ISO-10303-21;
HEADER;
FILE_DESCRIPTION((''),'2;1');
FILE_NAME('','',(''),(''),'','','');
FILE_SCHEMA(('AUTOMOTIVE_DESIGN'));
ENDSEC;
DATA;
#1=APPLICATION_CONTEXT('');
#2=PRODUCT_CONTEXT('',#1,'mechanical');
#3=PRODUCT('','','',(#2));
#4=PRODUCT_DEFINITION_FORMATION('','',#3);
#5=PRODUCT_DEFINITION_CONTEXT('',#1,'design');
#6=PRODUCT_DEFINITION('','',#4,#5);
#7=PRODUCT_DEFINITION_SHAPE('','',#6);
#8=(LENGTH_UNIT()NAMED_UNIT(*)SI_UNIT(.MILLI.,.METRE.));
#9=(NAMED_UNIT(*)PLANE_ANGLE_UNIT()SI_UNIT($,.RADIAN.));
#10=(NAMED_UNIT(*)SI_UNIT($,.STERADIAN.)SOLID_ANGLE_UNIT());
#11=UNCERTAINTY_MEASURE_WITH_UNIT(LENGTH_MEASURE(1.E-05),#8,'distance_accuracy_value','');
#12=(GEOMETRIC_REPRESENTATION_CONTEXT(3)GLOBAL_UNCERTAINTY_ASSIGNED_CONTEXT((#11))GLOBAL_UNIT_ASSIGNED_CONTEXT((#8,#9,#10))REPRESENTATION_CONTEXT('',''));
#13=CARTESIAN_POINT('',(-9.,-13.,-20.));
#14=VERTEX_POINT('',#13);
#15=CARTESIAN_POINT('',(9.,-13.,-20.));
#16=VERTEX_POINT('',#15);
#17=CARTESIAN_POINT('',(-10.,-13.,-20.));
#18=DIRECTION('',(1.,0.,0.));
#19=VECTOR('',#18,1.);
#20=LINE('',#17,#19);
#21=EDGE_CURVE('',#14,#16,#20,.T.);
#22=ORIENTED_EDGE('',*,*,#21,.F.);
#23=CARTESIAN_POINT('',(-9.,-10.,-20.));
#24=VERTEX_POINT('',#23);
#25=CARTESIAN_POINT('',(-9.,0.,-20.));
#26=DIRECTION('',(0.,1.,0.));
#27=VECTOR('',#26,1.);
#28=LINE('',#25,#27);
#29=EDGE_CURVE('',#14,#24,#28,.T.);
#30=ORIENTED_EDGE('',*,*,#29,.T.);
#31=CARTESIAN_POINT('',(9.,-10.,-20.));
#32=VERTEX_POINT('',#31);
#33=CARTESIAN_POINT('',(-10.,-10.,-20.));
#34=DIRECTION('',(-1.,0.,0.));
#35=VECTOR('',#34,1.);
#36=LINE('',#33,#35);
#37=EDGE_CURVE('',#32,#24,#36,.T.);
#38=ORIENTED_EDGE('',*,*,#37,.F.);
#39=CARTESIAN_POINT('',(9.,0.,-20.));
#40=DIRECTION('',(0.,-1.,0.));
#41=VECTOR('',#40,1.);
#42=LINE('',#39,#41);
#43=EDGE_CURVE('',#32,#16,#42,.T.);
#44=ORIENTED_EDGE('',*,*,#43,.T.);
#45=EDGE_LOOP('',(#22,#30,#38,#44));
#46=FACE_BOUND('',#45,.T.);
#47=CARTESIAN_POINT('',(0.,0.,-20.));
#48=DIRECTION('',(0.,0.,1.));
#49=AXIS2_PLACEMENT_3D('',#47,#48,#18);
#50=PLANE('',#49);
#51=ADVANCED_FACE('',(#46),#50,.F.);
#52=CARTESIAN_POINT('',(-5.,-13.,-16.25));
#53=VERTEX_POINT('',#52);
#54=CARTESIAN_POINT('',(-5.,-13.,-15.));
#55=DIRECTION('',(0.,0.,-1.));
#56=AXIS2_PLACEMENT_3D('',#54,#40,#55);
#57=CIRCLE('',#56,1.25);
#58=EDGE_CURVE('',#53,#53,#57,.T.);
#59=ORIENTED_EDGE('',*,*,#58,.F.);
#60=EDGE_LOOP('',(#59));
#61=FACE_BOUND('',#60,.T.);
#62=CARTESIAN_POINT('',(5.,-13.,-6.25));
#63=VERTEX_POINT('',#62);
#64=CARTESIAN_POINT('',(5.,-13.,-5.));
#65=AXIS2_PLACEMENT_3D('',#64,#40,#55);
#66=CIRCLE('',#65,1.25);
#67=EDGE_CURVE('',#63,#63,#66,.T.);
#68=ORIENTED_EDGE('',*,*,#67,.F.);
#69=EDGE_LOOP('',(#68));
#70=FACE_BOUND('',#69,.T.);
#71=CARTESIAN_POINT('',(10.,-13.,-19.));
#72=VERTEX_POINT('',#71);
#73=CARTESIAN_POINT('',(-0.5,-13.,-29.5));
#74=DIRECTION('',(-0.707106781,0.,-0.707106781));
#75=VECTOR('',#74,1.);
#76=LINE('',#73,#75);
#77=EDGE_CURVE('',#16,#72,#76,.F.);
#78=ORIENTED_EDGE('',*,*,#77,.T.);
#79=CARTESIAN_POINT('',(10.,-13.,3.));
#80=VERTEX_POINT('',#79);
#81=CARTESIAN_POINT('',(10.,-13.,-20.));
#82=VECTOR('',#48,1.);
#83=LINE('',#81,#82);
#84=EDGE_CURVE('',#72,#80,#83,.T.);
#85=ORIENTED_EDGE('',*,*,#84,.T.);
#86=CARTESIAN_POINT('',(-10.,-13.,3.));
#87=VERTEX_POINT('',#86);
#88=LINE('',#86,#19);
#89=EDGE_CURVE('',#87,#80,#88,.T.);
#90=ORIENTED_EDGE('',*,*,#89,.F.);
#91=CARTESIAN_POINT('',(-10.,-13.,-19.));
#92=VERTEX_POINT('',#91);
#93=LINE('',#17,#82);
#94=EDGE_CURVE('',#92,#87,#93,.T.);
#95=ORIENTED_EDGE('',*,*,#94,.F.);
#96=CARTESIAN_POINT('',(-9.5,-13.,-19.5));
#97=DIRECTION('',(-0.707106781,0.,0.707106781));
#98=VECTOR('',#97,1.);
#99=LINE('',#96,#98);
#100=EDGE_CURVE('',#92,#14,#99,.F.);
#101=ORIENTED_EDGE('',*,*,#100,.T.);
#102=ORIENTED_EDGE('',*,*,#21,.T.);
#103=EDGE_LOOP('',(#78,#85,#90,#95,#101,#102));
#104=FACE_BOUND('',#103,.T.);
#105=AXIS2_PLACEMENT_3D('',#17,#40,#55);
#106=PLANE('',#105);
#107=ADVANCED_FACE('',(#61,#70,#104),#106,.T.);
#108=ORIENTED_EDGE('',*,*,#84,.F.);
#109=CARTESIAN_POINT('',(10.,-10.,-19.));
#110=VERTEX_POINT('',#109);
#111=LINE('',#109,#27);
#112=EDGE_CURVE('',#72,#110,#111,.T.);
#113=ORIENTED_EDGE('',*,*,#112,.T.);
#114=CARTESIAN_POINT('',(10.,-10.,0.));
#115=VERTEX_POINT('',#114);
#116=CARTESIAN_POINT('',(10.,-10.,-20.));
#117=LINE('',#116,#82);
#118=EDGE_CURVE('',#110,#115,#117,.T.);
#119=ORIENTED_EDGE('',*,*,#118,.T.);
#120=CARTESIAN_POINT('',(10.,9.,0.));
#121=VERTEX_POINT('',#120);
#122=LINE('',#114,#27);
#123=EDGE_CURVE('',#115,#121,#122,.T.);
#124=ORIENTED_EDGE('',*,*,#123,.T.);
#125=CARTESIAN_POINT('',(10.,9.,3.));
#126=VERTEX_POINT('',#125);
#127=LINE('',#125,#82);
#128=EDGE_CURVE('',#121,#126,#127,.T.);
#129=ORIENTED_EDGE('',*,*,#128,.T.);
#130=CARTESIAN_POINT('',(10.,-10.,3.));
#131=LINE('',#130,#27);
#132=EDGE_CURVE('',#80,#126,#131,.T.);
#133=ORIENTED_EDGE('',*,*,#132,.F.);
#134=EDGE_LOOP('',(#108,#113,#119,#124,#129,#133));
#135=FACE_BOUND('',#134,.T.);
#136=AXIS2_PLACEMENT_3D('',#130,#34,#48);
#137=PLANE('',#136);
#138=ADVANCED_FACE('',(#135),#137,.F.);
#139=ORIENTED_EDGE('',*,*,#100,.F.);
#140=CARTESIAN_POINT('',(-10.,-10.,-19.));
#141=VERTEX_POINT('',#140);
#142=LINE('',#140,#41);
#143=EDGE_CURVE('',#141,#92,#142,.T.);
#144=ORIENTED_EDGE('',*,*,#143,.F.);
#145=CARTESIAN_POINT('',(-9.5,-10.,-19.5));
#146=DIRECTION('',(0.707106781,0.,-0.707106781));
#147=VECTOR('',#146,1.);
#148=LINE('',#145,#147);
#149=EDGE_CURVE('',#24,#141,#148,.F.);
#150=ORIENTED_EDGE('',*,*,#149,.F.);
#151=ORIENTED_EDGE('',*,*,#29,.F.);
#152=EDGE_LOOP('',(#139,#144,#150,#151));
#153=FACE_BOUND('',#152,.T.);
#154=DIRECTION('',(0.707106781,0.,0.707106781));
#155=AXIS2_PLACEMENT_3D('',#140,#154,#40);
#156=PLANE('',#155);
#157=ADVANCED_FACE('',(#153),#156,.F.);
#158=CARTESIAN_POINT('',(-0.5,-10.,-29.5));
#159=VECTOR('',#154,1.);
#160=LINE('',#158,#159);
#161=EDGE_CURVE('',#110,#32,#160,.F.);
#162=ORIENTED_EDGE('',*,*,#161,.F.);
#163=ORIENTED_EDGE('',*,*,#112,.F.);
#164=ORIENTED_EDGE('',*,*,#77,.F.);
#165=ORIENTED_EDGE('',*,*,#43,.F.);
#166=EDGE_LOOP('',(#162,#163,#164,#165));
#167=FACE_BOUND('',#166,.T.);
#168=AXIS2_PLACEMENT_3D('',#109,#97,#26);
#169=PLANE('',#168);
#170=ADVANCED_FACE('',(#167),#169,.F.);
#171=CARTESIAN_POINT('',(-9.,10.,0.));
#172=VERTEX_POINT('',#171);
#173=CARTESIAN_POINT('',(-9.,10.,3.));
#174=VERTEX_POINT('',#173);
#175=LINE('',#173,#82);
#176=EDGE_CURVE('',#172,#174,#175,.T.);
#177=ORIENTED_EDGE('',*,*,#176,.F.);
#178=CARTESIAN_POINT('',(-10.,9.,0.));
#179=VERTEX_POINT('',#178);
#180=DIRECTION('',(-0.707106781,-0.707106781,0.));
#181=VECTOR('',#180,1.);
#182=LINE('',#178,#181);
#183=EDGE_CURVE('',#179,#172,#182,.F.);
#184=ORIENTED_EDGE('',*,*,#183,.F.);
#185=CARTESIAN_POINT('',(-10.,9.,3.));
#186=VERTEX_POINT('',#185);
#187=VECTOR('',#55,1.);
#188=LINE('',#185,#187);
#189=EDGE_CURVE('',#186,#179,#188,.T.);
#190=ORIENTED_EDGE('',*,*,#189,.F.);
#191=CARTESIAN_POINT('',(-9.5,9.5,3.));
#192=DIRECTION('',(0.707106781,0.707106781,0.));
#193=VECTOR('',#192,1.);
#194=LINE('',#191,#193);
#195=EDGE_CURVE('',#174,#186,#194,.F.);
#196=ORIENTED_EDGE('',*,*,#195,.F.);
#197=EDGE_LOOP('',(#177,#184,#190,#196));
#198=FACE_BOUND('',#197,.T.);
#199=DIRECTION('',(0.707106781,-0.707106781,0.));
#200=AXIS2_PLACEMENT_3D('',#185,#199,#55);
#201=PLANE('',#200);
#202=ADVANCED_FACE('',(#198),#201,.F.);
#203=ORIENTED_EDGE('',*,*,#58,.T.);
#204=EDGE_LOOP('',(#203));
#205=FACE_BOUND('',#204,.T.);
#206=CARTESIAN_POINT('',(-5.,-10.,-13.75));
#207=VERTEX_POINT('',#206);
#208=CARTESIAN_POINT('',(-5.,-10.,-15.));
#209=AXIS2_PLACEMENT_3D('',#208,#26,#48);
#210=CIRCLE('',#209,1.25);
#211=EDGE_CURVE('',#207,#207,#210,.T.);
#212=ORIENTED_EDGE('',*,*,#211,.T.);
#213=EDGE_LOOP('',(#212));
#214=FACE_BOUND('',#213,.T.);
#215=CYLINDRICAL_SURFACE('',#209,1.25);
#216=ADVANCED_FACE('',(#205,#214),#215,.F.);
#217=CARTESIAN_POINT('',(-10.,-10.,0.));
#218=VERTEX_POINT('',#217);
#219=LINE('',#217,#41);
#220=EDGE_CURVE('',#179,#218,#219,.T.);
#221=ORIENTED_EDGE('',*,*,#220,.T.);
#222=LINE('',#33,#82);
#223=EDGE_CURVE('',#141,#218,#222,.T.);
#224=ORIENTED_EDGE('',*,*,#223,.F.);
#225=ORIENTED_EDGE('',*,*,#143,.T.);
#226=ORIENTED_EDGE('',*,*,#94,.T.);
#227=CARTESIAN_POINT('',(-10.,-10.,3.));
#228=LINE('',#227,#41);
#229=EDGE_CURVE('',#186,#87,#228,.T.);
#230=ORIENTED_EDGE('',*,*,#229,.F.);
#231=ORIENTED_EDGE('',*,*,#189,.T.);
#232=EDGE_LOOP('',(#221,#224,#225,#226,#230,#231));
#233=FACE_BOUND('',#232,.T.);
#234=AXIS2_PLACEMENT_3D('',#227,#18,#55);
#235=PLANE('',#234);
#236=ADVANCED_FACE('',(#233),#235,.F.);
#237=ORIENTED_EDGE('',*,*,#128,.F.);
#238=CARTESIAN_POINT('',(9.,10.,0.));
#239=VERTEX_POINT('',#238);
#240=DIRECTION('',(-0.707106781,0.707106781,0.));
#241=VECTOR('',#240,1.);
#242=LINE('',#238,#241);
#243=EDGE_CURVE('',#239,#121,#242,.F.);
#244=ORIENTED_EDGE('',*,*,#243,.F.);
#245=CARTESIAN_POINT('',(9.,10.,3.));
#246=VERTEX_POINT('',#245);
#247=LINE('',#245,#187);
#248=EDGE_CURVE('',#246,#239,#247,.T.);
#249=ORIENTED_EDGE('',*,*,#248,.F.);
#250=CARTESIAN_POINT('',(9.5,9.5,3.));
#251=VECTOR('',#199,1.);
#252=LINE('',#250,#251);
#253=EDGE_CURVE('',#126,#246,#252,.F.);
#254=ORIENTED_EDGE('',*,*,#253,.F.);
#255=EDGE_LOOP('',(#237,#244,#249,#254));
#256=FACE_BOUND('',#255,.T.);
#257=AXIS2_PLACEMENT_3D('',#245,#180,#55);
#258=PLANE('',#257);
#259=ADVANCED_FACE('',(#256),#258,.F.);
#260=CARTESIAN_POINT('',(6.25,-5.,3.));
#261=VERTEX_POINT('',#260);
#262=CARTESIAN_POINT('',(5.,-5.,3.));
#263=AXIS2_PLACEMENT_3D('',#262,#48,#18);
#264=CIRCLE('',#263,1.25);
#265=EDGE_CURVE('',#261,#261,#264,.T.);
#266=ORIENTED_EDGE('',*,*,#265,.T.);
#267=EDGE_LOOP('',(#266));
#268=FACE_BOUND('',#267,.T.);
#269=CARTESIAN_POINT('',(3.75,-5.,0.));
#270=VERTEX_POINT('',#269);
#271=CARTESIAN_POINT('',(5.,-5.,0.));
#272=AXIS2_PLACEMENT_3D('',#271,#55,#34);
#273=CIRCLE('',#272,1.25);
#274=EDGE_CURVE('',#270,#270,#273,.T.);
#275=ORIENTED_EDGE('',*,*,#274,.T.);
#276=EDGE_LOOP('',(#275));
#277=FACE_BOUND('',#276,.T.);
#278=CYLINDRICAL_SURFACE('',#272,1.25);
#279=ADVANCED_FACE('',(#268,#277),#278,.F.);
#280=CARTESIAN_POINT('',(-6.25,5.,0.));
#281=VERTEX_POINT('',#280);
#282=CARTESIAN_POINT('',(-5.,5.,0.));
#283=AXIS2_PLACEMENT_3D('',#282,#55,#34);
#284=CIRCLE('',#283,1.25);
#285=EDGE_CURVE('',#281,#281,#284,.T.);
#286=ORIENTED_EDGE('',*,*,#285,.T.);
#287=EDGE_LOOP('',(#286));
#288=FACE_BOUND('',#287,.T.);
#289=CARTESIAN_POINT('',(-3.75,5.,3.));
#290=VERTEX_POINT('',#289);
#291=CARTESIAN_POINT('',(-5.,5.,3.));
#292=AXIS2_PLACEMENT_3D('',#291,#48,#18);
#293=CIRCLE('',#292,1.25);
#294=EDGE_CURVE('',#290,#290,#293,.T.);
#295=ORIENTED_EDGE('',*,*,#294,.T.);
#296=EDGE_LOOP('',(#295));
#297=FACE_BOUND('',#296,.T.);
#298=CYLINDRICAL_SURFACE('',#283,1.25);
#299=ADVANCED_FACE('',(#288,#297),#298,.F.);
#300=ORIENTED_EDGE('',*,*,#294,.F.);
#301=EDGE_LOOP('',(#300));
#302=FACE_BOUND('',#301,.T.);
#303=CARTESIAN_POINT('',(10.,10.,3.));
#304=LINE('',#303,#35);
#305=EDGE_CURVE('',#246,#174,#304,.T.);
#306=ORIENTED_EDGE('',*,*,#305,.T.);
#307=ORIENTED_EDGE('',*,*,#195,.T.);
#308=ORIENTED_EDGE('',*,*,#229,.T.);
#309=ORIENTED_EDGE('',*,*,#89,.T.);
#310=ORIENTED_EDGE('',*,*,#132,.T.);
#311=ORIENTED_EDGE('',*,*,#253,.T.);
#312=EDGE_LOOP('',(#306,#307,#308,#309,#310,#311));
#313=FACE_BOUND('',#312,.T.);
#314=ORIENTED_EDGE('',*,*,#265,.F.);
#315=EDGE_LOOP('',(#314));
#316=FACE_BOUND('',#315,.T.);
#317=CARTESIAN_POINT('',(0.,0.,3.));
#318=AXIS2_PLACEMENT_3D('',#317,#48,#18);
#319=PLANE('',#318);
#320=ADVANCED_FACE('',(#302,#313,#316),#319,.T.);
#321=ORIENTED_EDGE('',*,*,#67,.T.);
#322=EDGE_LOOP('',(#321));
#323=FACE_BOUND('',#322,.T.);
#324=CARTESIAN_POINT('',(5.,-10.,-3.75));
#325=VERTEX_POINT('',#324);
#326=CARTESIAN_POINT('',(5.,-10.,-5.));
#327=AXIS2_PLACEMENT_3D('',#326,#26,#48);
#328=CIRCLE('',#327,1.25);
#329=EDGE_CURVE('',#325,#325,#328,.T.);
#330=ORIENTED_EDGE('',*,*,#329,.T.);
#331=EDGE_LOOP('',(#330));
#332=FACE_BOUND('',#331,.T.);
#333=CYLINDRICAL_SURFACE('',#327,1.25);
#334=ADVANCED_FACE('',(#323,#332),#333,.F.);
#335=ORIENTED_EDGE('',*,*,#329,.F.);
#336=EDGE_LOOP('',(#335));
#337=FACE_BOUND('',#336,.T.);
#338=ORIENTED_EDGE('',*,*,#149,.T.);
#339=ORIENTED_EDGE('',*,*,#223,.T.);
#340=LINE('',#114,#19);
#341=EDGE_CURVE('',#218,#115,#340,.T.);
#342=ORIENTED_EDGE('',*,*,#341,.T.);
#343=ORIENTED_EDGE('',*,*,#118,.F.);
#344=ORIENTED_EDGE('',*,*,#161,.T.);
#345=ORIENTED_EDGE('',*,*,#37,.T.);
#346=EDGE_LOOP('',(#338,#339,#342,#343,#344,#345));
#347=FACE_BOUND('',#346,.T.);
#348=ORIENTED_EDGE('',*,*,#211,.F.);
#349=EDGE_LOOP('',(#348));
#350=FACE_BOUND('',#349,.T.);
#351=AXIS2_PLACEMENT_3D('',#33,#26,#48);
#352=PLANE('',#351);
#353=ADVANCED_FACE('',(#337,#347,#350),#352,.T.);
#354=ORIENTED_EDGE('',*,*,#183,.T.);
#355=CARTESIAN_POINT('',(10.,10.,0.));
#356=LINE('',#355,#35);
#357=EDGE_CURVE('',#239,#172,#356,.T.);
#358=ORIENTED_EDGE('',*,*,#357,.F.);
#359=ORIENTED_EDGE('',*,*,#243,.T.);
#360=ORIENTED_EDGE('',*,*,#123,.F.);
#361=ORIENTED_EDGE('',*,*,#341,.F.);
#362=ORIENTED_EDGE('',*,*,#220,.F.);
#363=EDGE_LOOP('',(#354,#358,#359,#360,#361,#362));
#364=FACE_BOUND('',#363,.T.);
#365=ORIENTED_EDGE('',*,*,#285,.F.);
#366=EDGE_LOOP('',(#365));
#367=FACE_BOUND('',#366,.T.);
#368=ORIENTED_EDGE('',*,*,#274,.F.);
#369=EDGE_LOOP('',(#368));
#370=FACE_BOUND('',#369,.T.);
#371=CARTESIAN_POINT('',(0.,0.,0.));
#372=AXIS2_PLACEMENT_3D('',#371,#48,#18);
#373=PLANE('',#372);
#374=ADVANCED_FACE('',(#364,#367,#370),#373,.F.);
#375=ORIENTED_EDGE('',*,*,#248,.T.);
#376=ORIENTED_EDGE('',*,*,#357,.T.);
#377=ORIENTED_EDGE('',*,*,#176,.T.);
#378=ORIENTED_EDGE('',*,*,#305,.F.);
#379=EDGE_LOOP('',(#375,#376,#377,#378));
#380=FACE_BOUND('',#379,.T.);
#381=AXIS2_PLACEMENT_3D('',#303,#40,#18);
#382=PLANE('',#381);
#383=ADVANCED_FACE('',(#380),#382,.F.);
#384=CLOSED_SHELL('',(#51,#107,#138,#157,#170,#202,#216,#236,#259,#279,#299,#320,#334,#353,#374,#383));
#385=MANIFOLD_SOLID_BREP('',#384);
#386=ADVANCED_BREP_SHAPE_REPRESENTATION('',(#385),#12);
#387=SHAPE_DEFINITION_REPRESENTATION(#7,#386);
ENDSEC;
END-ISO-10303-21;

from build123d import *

# Parameters (mm, degrees)
SKETCH_1_W             = 20
SKETCH_1_H             = 20
EXTRUDE_1_DEPTH        = 3
SKETCH_2_W             = 20
SKETCH_2_H             = 3
EXTRUDE_2_DEPTH        = 23
HOLE_WIZARD_M3_1_D     = 2.5
HOLE_WIZARD_M3_1_DEPTH = 7.5
HOLE_WIZARD_M3_1_TIP   = 0.751075774
HOLE_WIZARD_M3_2_D     = 2.5
HOLE_WIZARD_M3_2_DEPTH = 7.5
HOLE_WIZARD_M3_2_TIP   = 0.751075774
CHAMFER_1_SIZE         = 1


with BuildPart() as part:
    # 草图1 → 凸台-拉伸1 (new body)
    with BuildSketch(Plane.XY):
        Rectangle(SKETCH_1_W, SKETCH_1_H)
    extrude(amount=EXTRUDE_1_DEPTH)

    # 草图2 → 凸台-拉伸2 (add)
    with BuildSketch(Plane.XY.offset(3)):
        with Locations((0, -11.5)):
            Rectangle(SKETCH_2_W, SKETCH_2_H)
    extrude(amount=-EXTRUDE_2_DEPTH)

    # M3 螺纹孔1
    with Locations(Plane(origin=(0, 0, 0), x_dir=(-1, 0, 0), z_dir=(0, 0, -1))):
        with Locations((5, 5), (-5, -5)):
            Hole(HOLE_WIZARD_M3_1_D / 2, depth=HOLE_WIZARD_M3_1_DEPTH)
            with Locations((0, 0, -(HOLE_WIZARD_M3_1_DEPTH + HOLE_WIZARD_M3_1_TIP / 2))):  # 118° drill point
                Cone(0, HOLE_WIZARD_M3_1_D / 2, HOLE_WIZARD_M3_1_TIP, mode=Mode.SUBTRACT)

    # M3 螺纹孔2
    with Locations(Plane(origin=(0, -10, 0), x_dir=(1, 0, 0), z_dir=(0, 1, 0))):
        with Locations((-5, 15), (5, 5)):
            Hole(HOLE_WIZARD_M3_2_D / 2, depth=HOLE_WIZARD_M3_2_DEPTH)
            with Locations((0, 0, -(HOLE_WIZARD_M3_2_DEPTH + HOLE_WIZARD_M3_2_TIP / 2))):  # 118° drill point
                Cone(0, HOLE_WIZARD_M3_2_D / 2, HOLE_WIZARD_M3_2_TIP, mode=Mode.SUBTRACT)

    # 倒角1
    chamfer_1_edges = [part.edges().sort_by_distance(p)[0] for p in [
        (-10, -11.5, -20),
        (10, -11.5, -20),
        (-10, 10, 1.5),
        (10, 10, 1.5),
    ]]
    chamfer(chamfer_1_edges, length=CHAMFER_1_SIZE)


solid = part.part
